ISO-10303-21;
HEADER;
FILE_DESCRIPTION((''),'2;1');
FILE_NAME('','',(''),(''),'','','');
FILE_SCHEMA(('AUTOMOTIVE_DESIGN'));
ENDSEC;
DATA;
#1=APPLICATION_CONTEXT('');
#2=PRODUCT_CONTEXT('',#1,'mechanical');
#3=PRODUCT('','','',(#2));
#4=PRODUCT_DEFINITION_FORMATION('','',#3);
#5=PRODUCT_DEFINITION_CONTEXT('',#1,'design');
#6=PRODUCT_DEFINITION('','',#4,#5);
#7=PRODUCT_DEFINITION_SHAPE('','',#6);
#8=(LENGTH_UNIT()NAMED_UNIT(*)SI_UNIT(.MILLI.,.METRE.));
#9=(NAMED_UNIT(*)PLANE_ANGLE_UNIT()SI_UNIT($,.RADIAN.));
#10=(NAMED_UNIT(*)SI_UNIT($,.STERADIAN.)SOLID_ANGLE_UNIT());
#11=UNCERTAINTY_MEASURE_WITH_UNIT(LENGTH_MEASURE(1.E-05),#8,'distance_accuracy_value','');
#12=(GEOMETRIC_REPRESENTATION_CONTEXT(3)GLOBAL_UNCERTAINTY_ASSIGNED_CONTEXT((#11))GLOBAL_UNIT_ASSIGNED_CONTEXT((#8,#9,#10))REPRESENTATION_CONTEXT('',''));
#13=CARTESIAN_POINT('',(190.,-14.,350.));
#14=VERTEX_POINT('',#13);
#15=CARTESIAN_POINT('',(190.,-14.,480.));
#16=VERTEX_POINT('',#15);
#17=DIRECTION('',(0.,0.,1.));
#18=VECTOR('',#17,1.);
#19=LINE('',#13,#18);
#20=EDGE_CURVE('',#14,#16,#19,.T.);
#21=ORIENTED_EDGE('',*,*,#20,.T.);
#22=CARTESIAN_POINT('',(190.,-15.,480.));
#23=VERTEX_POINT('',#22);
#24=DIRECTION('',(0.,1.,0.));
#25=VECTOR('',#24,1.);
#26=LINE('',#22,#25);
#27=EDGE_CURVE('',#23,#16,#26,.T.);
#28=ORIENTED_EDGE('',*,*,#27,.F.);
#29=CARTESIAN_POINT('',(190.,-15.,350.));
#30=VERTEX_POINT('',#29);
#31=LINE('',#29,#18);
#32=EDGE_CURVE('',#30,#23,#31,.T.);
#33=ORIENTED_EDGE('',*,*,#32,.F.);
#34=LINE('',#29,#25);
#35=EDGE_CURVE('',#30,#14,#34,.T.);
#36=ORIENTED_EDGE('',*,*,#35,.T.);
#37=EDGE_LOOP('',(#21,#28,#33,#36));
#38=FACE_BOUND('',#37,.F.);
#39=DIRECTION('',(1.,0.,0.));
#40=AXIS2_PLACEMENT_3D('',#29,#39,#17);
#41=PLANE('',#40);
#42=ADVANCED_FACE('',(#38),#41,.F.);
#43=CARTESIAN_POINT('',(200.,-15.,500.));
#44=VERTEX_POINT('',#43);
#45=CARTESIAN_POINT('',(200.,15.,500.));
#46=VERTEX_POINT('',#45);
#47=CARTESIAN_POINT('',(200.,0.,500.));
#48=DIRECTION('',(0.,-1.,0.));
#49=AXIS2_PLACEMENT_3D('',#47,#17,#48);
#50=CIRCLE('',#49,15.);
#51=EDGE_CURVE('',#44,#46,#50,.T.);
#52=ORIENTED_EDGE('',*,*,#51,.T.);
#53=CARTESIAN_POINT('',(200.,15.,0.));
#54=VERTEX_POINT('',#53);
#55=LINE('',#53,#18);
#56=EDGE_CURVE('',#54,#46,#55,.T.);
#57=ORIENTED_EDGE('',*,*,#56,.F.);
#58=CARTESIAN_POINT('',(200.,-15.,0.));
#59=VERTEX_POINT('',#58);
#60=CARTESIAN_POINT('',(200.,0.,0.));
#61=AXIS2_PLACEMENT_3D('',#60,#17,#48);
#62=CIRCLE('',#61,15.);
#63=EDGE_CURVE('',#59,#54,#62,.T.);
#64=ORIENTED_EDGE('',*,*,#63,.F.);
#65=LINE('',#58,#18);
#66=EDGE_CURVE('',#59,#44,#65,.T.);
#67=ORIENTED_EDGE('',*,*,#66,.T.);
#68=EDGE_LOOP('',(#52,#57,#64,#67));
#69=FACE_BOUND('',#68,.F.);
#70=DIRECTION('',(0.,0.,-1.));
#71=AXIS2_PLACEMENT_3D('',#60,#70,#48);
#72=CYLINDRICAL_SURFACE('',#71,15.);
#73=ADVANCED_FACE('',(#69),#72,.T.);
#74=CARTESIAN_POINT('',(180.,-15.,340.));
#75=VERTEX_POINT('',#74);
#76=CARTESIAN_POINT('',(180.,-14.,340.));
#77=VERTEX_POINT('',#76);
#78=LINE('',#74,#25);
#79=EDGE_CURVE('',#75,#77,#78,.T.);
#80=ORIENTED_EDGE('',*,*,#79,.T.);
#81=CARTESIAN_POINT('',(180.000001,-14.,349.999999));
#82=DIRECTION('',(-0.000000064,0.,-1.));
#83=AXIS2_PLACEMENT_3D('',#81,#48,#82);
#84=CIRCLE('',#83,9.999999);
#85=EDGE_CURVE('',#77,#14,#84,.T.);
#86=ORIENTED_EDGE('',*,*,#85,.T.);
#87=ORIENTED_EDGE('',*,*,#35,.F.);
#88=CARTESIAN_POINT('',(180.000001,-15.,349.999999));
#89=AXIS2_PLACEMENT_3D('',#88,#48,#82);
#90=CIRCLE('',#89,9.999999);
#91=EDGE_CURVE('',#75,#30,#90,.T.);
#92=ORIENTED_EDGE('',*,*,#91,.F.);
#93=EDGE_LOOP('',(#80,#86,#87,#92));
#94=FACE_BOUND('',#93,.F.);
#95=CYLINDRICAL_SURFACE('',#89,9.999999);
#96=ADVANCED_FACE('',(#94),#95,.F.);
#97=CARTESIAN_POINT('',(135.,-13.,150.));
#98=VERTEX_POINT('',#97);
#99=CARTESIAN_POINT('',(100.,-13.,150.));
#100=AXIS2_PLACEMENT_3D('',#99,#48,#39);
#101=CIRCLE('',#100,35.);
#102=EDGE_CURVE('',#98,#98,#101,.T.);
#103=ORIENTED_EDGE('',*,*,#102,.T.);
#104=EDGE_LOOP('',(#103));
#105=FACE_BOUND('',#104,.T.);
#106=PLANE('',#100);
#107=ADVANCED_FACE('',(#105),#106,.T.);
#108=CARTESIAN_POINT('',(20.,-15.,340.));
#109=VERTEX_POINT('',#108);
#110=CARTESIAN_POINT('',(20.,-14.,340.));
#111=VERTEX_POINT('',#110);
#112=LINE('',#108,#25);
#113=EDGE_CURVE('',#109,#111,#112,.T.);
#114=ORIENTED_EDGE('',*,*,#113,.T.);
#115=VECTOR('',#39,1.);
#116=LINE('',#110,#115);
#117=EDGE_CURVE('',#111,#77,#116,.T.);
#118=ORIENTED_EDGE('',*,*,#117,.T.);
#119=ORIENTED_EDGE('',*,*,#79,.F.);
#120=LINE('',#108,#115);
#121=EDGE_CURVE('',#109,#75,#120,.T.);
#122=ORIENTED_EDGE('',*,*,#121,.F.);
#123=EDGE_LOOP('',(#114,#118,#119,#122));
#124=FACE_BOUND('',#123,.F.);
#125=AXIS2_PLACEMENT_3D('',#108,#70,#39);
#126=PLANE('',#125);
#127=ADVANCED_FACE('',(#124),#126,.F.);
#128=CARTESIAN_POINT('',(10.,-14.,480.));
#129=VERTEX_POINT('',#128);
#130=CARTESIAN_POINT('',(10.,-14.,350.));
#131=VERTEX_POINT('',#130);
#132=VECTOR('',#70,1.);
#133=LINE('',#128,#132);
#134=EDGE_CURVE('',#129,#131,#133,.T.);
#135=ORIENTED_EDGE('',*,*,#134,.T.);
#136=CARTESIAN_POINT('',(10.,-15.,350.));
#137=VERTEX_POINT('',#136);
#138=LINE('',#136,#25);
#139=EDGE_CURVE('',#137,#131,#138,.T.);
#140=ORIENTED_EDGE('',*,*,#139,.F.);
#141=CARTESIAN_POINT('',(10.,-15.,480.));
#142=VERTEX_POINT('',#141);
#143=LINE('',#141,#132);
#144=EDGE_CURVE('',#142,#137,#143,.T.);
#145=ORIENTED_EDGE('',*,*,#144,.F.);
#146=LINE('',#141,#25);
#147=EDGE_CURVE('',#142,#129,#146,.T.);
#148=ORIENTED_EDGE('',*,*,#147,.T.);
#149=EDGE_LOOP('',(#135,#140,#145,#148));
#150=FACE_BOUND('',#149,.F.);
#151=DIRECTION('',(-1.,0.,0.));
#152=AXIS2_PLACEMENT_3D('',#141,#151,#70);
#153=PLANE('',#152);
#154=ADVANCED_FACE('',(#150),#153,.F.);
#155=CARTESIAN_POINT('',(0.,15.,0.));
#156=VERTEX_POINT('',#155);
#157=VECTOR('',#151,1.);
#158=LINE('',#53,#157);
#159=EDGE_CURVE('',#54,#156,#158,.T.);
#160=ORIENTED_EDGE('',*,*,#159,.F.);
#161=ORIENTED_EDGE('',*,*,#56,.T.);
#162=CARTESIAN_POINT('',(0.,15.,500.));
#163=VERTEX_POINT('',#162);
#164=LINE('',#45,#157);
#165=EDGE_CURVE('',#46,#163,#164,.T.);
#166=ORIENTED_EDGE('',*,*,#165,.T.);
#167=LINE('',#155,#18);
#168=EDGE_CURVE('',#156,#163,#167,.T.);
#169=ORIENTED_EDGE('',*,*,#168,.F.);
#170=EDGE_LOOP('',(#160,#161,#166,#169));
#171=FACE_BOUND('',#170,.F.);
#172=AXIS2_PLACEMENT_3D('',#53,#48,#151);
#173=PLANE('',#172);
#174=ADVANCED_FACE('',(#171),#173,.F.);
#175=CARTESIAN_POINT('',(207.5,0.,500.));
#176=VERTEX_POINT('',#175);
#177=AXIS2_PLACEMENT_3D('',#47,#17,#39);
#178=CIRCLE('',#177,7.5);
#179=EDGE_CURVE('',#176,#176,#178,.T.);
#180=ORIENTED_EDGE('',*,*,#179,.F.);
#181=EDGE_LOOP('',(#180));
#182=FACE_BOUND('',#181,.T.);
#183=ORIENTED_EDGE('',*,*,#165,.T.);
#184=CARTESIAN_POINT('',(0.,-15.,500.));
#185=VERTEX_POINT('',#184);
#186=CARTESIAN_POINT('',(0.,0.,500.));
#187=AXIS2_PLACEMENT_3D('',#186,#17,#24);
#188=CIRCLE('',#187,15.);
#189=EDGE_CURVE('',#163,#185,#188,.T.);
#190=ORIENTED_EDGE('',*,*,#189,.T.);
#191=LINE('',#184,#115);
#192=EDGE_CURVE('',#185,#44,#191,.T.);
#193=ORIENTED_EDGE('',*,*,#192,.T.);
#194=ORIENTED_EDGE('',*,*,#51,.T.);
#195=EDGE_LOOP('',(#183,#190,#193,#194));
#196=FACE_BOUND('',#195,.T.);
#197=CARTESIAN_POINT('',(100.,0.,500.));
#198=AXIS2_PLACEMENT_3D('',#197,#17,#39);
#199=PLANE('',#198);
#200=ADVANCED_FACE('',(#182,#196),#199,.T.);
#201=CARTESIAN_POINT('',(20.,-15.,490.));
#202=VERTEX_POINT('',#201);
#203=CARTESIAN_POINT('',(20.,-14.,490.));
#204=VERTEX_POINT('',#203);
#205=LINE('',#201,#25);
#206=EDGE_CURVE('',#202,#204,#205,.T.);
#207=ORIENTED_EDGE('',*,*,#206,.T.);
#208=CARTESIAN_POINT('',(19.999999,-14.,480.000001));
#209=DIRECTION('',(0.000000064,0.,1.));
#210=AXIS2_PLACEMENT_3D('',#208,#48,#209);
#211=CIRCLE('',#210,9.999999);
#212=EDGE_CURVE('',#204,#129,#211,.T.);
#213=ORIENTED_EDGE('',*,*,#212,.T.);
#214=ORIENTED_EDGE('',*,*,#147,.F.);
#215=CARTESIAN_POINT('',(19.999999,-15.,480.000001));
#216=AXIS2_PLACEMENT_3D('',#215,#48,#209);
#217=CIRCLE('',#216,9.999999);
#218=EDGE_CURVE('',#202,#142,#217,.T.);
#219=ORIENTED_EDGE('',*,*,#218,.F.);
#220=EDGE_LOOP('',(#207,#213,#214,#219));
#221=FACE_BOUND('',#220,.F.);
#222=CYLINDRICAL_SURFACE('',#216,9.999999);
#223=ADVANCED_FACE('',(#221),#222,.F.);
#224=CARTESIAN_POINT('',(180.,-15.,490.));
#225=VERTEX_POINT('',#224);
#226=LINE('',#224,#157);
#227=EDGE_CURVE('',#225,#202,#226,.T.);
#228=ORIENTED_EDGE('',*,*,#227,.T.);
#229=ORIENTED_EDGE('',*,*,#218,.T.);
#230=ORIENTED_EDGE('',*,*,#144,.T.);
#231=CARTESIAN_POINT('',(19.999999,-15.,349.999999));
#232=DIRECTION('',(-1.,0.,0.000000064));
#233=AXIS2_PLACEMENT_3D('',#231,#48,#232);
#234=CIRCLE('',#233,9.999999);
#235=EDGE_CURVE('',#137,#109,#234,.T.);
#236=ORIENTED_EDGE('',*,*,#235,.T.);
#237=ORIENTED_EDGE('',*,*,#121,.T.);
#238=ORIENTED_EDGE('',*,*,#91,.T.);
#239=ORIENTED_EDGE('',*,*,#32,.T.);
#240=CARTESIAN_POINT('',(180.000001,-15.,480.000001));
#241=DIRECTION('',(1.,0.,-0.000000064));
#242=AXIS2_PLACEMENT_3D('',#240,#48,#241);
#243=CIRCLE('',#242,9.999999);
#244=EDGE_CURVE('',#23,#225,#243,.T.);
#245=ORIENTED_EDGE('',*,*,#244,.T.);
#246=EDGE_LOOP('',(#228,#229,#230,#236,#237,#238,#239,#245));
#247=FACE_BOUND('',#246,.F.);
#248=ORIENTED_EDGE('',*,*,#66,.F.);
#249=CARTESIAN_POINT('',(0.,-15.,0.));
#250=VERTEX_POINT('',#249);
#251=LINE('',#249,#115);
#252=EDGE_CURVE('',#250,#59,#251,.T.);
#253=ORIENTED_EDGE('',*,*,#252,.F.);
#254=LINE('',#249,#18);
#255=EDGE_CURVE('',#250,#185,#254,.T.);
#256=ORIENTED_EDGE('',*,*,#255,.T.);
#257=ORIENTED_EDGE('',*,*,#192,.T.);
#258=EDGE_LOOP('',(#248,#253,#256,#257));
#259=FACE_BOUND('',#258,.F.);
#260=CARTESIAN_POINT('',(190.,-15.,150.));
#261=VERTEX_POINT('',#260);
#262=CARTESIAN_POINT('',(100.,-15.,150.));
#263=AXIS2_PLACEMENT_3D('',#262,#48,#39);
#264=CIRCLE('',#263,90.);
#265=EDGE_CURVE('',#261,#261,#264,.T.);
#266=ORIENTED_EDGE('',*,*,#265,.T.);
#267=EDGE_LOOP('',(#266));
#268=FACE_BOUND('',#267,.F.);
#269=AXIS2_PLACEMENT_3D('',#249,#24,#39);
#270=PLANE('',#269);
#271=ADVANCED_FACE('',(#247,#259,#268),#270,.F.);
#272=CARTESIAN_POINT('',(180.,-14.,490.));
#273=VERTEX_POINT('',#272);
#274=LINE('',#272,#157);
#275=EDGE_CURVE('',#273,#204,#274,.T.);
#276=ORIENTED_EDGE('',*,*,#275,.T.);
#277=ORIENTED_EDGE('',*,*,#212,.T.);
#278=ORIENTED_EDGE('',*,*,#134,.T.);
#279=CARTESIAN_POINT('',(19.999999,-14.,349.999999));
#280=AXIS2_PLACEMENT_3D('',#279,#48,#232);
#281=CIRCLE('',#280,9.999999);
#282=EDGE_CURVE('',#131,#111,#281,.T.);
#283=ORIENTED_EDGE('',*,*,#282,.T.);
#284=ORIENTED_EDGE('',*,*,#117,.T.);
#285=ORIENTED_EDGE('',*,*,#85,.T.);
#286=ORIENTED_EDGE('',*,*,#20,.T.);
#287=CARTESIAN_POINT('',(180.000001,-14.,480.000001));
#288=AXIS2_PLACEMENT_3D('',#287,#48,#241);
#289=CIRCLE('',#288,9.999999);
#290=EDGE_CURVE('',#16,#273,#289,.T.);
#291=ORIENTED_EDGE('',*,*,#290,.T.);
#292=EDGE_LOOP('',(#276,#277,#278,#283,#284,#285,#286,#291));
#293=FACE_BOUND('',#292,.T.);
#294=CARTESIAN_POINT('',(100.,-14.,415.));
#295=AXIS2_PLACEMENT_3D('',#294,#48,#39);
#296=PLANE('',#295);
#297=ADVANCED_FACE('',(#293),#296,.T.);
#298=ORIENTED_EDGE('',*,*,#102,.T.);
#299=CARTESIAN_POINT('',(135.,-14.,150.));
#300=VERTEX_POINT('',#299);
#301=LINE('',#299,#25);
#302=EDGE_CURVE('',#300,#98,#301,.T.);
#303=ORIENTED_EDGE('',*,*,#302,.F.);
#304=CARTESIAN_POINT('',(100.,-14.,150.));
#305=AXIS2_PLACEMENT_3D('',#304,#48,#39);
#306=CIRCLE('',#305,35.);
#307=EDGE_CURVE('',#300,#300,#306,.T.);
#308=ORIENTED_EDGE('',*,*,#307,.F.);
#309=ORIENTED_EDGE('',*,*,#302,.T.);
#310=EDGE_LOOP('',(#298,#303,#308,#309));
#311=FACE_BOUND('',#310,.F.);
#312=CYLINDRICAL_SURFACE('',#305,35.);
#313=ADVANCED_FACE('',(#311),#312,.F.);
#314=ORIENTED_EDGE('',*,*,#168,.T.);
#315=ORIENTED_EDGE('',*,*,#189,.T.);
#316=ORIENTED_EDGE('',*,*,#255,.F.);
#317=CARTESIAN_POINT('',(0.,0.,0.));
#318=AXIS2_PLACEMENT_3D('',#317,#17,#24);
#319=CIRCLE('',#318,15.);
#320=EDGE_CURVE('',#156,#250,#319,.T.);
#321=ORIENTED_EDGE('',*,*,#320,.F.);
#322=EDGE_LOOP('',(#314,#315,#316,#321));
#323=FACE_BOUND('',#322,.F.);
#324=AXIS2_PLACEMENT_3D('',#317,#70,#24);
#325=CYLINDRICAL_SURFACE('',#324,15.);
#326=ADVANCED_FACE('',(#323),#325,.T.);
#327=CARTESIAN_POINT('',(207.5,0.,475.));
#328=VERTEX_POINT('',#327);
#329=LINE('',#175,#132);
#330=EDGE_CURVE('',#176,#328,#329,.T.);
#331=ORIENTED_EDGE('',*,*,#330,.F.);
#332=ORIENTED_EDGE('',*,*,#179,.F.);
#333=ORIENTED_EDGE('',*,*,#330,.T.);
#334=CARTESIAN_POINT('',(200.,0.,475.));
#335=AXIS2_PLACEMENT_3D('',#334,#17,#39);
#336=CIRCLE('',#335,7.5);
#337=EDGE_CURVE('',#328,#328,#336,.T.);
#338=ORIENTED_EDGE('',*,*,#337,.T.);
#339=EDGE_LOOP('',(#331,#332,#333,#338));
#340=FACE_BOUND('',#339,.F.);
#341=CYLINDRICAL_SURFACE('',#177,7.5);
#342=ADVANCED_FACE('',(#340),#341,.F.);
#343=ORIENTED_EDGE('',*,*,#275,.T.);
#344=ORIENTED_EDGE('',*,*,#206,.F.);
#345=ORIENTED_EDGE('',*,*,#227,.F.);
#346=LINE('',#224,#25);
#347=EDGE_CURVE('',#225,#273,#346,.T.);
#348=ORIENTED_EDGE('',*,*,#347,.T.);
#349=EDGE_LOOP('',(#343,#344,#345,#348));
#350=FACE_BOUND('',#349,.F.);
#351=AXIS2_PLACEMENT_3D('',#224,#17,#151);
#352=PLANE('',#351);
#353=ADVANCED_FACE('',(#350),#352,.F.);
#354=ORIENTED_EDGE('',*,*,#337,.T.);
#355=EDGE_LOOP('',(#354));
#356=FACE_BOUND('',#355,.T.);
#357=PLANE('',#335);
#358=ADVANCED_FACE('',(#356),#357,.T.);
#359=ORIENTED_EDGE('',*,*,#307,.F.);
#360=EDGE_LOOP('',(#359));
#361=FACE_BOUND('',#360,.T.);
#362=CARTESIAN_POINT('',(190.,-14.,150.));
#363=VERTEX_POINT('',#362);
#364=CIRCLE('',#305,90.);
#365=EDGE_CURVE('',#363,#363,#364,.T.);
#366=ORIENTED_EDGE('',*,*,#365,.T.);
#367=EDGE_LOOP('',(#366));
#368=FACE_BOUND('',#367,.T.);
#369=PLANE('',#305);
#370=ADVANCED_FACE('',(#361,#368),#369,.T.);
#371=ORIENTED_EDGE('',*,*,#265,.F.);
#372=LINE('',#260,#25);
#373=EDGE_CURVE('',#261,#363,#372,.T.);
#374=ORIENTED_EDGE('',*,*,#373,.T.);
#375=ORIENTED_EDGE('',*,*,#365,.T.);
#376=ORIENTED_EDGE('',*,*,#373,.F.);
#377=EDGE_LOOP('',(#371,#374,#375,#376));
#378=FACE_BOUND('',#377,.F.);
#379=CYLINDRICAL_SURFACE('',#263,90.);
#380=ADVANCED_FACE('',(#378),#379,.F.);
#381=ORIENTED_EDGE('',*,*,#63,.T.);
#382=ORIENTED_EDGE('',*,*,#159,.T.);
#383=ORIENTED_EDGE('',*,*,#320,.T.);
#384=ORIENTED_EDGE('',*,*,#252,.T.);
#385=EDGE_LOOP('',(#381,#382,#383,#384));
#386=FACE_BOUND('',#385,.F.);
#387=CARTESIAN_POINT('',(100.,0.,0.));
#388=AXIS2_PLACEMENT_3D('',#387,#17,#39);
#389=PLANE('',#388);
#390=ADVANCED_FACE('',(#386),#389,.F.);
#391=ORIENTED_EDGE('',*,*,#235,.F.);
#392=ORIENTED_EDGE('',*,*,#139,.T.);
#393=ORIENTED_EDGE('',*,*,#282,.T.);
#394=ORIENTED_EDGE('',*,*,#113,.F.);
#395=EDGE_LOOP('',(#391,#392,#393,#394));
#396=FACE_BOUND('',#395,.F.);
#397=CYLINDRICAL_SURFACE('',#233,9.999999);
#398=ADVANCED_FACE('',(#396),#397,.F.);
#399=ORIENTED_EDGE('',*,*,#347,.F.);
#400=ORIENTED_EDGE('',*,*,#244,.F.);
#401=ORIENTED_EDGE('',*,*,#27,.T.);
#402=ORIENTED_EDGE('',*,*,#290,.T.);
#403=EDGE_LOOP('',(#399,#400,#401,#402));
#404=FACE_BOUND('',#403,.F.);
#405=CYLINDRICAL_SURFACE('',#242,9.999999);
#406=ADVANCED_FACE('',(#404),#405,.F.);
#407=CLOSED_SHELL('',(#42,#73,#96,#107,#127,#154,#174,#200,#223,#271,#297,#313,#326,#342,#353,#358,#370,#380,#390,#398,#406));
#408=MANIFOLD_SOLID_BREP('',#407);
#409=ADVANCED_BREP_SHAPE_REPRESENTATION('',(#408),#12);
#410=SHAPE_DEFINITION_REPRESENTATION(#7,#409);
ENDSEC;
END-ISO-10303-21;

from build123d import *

# Parameters (mm, degrees)
F1_DEPTH = 500
F3_DEPTH = 1
F4_R     = 90
F5_DEPTH = 1
F6_R     = 35
F7_DEPTH = 1
F8_R     = 7.5
F9_DEPTH = 25


with BuildPart() as f1:
    # F0 (on Top) → F1 (new body)
    with BuildSketch(Plane.XY):
        with BuildLine():
            Line((200, 15), (0, 15))
            ThreePointArc((0, 15), (-15, 0), (0, -15))
            Line((0, -15), (200, -15))
            ThreePointArc((200, -15), (215, 0), (200, 15))
        make_face()
    extrude(amount=F1_DEPTH)

    # F2 (on face) → F3 (cut)
    with BuildSketch(Plane.XZ.offset(15)):
        with BuildLine():
            Line((180, 490), (20, 490))
            ThreePointArc((20, 490), (12.928932, 487.071068), (10, 480))
            Line((10, 480), (10, 350))
            ThreePointArc((10, 350), (12.928932, 342.928932), (20, 340))
            Line((20, 340), (180, 340))
            ThreePointArc((180, 340), (187.071068, 342.928932), (190, 350))
            Line((190, 350), (190, 480))
            ThreePointArc((190, 480), (187.071068, 487.071068), (180, 490))
        make_face()
    extrude(amount=-F3_DEPTH, mode=Mode.SUBTRACT)

    # F4 (on face) → F5 (cut)
    with BuildSketch(Plane.XZ.offset(15)):
        with Locations((100, 150)):
            Circle(F4_R)
    extrude(amount=-F5_DEPTH, mode=Mode.SUBTRACT)

    # F6 (on face) → F7 (cut)
    with BuildSketch(Plane.XZ.offset(14)):
        with Locations((100, 150)):
            Circle(F6_R)
    extrude(amount=-F7_DEPTH, mode=Mode.SUBTRACT)

    # F8 (on face) → F9 (cut)
    with BuildSketch(Plane.XY.offset(500)):
        with Locations((200, 0)):
            Circle(F8_R)
    extrude(amount=-F9_DEPTH, mode=Mode.SUBTRACT)


solid = f1.part
